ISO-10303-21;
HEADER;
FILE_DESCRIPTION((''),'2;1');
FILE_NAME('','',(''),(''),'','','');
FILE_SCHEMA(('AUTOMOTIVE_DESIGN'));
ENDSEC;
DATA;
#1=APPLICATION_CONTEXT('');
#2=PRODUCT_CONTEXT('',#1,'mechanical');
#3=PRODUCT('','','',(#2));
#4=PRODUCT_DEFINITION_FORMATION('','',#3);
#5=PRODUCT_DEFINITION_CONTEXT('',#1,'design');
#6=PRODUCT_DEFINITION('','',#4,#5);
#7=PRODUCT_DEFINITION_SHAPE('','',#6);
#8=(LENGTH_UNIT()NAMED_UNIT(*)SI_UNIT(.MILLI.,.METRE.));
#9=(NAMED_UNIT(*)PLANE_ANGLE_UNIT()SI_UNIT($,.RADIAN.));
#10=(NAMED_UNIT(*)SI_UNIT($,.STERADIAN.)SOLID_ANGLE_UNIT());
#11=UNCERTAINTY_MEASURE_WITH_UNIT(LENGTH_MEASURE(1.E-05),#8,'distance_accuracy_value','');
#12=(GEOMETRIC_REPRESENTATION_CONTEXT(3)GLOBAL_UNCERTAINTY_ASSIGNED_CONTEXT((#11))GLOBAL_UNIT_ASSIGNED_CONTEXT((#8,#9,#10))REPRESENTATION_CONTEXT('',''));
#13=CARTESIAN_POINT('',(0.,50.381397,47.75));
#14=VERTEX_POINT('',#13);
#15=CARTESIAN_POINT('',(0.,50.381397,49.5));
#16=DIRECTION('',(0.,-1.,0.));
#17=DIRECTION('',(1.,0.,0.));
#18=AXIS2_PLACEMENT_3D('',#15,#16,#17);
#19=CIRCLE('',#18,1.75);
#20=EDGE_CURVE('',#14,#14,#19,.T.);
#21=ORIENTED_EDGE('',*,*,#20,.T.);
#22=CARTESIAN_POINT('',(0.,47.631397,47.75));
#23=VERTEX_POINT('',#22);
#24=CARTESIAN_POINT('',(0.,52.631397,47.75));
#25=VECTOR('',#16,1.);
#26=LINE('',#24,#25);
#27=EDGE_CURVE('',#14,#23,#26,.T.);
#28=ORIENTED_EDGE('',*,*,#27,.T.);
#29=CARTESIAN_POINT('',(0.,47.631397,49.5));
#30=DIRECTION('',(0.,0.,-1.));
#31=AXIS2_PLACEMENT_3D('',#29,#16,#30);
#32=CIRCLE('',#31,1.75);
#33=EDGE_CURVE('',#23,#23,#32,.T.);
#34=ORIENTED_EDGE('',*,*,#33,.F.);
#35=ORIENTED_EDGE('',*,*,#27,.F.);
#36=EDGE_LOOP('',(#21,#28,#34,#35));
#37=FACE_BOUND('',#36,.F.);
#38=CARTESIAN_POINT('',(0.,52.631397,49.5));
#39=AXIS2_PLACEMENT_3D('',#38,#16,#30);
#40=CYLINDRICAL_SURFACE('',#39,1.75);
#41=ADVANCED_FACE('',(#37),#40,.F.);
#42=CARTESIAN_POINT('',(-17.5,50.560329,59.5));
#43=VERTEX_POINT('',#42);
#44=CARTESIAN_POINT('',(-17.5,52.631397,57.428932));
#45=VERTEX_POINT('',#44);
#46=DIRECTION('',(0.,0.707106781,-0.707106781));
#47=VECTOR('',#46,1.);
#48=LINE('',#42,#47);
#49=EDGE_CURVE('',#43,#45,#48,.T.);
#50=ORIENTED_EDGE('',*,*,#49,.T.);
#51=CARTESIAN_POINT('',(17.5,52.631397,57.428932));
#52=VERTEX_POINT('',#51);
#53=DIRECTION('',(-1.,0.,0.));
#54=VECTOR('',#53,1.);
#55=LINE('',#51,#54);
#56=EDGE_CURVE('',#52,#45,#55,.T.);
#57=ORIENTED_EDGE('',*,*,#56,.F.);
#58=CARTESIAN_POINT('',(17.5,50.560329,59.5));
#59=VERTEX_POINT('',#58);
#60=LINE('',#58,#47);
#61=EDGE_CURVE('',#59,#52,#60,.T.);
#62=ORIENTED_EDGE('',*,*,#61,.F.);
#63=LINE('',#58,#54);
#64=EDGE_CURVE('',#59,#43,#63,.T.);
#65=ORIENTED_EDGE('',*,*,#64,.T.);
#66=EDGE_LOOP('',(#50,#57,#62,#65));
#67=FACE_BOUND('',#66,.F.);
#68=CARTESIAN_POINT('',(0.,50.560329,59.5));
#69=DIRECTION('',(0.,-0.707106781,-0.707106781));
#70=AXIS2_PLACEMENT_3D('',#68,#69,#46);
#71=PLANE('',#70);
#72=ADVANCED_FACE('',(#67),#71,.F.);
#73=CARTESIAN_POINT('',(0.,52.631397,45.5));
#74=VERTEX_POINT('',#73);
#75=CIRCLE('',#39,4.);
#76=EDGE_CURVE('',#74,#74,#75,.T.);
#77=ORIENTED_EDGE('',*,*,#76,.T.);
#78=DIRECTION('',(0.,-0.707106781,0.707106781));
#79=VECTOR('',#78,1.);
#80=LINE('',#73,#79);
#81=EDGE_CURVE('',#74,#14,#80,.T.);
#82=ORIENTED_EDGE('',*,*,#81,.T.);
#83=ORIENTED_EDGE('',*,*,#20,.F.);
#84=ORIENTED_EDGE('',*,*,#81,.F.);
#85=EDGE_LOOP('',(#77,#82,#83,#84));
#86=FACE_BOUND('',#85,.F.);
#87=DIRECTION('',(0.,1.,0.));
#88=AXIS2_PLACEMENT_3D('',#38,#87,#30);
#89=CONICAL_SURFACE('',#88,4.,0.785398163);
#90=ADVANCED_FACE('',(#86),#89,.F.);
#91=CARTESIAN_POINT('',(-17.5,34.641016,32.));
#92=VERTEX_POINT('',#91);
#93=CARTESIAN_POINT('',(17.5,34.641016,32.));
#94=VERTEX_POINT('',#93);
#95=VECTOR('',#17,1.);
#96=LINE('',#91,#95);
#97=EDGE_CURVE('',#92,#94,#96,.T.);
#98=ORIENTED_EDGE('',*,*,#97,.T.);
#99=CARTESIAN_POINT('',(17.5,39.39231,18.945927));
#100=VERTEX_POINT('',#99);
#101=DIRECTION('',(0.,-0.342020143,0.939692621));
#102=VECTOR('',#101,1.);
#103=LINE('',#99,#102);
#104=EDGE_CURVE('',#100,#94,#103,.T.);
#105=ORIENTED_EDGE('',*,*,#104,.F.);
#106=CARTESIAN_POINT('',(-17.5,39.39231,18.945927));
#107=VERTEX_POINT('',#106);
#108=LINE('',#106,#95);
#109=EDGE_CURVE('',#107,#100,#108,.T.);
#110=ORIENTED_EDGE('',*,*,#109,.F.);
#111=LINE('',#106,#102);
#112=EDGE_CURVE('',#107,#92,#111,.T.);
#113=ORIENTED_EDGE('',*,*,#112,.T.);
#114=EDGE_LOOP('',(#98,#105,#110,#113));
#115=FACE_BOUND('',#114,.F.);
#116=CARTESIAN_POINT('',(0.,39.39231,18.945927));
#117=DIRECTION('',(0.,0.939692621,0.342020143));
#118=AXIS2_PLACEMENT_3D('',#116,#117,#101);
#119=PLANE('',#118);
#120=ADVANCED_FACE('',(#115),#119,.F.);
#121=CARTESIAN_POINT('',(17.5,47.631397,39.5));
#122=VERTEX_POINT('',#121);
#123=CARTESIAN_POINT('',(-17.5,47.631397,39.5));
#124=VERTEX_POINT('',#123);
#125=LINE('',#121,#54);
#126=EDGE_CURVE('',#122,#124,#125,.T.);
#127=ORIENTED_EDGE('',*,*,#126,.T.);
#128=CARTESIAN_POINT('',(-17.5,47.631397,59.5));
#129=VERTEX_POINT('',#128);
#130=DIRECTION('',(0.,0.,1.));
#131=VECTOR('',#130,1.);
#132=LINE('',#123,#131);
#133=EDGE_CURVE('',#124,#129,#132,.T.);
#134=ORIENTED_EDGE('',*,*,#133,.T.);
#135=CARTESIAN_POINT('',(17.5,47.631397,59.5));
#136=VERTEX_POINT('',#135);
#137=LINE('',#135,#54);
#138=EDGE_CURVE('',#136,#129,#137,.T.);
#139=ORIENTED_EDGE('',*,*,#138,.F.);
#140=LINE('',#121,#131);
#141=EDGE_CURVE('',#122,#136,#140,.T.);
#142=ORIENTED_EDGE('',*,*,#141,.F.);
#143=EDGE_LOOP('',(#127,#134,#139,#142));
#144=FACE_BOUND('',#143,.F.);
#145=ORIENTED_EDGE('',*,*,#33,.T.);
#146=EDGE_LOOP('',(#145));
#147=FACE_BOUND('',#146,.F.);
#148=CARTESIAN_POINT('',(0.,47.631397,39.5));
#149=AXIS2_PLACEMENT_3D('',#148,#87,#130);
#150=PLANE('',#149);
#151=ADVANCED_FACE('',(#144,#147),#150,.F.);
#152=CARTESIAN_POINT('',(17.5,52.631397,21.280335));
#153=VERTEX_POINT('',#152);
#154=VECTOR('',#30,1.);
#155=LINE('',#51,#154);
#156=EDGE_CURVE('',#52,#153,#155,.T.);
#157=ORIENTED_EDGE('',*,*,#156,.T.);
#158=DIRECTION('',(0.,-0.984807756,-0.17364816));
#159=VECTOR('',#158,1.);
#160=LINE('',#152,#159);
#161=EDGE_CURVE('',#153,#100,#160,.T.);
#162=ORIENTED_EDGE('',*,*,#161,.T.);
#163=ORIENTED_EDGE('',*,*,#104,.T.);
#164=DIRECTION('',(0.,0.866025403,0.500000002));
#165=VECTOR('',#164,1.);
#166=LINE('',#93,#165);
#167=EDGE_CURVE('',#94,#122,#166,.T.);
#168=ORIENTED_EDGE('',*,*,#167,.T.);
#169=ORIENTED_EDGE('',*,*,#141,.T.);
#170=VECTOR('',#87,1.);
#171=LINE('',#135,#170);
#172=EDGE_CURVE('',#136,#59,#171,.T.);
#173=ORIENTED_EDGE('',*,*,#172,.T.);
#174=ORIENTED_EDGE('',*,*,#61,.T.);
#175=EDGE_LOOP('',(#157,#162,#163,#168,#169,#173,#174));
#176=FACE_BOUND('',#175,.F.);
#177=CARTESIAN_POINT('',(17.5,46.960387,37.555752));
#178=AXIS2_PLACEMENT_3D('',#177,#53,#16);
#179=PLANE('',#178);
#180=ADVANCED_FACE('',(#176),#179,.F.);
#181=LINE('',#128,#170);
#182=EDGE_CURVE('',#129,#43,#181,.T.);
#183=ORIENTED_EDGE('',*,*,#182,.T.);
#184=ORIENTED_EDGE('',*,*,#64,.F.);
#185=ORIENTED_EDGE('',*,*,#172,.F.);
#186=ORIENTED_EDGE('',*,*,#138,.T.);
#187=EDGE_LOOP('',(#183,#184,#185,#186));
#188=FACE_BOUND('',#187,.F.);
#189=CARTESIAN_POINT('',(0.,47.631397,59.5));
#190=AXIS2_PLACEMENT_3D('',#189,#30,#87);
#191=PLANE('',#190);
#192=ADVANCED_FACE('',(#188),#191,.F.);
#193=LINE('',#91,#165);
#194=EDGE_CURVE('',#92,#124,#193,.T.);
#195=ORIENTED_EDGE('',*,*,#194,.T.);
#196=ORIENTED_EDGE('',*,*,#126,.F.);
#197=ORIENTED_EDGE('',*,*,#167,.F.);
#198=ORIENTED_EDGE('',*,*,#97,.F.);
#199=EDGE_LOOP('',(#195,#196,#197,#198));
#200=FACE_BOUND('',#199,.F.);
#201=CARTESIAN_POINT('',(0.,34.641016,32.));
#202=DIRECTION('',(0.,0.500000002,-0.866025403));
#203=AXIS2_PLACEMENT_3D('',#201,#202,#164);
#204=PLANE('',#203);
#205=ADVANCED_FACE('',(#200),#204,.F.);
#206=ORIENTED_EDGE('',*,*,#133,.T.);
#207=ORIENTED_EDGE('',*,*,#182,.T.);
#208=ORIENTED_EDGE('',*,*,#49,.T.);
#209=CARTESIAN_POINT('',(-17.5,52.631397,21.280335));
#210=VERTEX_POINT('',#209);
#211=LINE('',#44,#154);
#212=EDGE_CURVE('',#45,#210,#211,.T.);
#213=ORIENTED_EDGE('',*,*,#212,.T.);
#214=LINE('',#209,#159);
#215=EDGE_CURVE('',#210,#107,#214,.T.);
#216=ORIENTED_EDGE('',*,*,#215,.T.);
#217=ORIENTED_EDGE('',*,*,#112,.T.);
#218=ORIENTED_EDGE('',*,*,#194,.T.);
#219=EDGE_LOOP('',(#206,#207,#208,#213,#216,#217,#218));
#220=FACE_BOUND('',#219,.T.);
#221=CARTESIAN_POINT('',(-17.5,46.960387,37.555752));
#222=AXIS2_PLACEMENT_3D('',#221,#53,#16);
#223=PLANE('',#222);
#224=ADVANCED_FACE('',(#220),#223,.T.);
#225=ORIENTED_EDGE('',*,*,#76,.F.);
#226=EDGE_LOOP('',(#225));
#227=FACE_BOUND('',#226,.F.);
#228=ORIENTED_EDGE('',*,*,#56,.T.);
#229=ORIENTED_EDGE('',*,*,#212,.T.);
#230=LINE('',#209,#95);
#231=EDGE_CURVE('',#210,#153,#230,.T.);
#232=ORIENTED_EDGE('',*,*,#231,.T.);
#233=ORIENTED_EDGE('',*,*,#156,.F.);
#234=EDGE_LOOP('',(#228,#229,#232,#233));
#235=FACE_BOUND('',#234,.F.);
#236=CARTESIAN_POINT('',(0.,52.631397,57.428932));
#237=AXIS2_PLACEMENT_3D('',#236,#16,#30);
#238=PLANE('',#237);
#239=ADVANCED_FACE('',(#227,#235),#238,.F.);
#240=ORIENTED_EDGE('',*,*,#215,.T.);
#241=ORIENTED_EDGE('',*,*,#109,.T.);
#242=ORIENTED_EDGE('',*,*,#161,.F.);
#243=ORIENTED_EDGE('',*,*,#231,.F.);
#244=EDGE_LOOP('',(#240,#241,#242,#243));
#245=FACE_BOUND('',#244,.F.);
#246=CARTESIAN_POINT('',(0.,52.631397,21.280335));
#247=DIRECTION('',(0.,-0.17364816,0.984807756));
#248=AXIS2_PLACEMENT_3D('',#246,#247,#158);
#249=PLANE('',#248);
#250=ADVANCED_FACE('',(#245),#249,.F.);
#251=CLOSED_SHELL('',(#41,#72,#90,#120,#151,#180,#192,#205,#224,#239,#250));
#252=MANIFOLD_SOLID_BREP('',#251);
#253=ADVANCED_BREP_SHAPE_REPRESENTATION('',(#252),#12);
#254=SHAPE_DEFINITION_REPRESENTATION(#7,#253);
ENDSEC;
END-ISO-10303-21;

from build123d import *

# Parameters (mm, degrees)
PAD_DEPTH        = 17.5
HOLE_D           = 3.5
HOLE_CSINK_D     = 8
HOLE_CSINK_ANGLE = 90


with BuildPart() as part:
    # Sketch → Pad (new body, symmetric)
    with BuildSketch(Plane.YZ):
        Polygon((34.641016, 32), (47.631397, 39.5), (47.631397, 59.5), (50.560329, 59.5), (52.631397, 57.428932), (52.631397, 21.280335), (39.39231, 18.945927), align=None)
    extrude(amount=PAD_DEPTH, both=True)

    # Hole (through all)
    with Locations(Plane.ZX.offset(52.631397)):
        with Locations((49.5, 0)):
            CounterSinkHole(HOLE_D / 2, HOLE_CSINK_D / 2, counter_sink_angle=HOLE_CSINK_ANGLE)


solid = part.part
